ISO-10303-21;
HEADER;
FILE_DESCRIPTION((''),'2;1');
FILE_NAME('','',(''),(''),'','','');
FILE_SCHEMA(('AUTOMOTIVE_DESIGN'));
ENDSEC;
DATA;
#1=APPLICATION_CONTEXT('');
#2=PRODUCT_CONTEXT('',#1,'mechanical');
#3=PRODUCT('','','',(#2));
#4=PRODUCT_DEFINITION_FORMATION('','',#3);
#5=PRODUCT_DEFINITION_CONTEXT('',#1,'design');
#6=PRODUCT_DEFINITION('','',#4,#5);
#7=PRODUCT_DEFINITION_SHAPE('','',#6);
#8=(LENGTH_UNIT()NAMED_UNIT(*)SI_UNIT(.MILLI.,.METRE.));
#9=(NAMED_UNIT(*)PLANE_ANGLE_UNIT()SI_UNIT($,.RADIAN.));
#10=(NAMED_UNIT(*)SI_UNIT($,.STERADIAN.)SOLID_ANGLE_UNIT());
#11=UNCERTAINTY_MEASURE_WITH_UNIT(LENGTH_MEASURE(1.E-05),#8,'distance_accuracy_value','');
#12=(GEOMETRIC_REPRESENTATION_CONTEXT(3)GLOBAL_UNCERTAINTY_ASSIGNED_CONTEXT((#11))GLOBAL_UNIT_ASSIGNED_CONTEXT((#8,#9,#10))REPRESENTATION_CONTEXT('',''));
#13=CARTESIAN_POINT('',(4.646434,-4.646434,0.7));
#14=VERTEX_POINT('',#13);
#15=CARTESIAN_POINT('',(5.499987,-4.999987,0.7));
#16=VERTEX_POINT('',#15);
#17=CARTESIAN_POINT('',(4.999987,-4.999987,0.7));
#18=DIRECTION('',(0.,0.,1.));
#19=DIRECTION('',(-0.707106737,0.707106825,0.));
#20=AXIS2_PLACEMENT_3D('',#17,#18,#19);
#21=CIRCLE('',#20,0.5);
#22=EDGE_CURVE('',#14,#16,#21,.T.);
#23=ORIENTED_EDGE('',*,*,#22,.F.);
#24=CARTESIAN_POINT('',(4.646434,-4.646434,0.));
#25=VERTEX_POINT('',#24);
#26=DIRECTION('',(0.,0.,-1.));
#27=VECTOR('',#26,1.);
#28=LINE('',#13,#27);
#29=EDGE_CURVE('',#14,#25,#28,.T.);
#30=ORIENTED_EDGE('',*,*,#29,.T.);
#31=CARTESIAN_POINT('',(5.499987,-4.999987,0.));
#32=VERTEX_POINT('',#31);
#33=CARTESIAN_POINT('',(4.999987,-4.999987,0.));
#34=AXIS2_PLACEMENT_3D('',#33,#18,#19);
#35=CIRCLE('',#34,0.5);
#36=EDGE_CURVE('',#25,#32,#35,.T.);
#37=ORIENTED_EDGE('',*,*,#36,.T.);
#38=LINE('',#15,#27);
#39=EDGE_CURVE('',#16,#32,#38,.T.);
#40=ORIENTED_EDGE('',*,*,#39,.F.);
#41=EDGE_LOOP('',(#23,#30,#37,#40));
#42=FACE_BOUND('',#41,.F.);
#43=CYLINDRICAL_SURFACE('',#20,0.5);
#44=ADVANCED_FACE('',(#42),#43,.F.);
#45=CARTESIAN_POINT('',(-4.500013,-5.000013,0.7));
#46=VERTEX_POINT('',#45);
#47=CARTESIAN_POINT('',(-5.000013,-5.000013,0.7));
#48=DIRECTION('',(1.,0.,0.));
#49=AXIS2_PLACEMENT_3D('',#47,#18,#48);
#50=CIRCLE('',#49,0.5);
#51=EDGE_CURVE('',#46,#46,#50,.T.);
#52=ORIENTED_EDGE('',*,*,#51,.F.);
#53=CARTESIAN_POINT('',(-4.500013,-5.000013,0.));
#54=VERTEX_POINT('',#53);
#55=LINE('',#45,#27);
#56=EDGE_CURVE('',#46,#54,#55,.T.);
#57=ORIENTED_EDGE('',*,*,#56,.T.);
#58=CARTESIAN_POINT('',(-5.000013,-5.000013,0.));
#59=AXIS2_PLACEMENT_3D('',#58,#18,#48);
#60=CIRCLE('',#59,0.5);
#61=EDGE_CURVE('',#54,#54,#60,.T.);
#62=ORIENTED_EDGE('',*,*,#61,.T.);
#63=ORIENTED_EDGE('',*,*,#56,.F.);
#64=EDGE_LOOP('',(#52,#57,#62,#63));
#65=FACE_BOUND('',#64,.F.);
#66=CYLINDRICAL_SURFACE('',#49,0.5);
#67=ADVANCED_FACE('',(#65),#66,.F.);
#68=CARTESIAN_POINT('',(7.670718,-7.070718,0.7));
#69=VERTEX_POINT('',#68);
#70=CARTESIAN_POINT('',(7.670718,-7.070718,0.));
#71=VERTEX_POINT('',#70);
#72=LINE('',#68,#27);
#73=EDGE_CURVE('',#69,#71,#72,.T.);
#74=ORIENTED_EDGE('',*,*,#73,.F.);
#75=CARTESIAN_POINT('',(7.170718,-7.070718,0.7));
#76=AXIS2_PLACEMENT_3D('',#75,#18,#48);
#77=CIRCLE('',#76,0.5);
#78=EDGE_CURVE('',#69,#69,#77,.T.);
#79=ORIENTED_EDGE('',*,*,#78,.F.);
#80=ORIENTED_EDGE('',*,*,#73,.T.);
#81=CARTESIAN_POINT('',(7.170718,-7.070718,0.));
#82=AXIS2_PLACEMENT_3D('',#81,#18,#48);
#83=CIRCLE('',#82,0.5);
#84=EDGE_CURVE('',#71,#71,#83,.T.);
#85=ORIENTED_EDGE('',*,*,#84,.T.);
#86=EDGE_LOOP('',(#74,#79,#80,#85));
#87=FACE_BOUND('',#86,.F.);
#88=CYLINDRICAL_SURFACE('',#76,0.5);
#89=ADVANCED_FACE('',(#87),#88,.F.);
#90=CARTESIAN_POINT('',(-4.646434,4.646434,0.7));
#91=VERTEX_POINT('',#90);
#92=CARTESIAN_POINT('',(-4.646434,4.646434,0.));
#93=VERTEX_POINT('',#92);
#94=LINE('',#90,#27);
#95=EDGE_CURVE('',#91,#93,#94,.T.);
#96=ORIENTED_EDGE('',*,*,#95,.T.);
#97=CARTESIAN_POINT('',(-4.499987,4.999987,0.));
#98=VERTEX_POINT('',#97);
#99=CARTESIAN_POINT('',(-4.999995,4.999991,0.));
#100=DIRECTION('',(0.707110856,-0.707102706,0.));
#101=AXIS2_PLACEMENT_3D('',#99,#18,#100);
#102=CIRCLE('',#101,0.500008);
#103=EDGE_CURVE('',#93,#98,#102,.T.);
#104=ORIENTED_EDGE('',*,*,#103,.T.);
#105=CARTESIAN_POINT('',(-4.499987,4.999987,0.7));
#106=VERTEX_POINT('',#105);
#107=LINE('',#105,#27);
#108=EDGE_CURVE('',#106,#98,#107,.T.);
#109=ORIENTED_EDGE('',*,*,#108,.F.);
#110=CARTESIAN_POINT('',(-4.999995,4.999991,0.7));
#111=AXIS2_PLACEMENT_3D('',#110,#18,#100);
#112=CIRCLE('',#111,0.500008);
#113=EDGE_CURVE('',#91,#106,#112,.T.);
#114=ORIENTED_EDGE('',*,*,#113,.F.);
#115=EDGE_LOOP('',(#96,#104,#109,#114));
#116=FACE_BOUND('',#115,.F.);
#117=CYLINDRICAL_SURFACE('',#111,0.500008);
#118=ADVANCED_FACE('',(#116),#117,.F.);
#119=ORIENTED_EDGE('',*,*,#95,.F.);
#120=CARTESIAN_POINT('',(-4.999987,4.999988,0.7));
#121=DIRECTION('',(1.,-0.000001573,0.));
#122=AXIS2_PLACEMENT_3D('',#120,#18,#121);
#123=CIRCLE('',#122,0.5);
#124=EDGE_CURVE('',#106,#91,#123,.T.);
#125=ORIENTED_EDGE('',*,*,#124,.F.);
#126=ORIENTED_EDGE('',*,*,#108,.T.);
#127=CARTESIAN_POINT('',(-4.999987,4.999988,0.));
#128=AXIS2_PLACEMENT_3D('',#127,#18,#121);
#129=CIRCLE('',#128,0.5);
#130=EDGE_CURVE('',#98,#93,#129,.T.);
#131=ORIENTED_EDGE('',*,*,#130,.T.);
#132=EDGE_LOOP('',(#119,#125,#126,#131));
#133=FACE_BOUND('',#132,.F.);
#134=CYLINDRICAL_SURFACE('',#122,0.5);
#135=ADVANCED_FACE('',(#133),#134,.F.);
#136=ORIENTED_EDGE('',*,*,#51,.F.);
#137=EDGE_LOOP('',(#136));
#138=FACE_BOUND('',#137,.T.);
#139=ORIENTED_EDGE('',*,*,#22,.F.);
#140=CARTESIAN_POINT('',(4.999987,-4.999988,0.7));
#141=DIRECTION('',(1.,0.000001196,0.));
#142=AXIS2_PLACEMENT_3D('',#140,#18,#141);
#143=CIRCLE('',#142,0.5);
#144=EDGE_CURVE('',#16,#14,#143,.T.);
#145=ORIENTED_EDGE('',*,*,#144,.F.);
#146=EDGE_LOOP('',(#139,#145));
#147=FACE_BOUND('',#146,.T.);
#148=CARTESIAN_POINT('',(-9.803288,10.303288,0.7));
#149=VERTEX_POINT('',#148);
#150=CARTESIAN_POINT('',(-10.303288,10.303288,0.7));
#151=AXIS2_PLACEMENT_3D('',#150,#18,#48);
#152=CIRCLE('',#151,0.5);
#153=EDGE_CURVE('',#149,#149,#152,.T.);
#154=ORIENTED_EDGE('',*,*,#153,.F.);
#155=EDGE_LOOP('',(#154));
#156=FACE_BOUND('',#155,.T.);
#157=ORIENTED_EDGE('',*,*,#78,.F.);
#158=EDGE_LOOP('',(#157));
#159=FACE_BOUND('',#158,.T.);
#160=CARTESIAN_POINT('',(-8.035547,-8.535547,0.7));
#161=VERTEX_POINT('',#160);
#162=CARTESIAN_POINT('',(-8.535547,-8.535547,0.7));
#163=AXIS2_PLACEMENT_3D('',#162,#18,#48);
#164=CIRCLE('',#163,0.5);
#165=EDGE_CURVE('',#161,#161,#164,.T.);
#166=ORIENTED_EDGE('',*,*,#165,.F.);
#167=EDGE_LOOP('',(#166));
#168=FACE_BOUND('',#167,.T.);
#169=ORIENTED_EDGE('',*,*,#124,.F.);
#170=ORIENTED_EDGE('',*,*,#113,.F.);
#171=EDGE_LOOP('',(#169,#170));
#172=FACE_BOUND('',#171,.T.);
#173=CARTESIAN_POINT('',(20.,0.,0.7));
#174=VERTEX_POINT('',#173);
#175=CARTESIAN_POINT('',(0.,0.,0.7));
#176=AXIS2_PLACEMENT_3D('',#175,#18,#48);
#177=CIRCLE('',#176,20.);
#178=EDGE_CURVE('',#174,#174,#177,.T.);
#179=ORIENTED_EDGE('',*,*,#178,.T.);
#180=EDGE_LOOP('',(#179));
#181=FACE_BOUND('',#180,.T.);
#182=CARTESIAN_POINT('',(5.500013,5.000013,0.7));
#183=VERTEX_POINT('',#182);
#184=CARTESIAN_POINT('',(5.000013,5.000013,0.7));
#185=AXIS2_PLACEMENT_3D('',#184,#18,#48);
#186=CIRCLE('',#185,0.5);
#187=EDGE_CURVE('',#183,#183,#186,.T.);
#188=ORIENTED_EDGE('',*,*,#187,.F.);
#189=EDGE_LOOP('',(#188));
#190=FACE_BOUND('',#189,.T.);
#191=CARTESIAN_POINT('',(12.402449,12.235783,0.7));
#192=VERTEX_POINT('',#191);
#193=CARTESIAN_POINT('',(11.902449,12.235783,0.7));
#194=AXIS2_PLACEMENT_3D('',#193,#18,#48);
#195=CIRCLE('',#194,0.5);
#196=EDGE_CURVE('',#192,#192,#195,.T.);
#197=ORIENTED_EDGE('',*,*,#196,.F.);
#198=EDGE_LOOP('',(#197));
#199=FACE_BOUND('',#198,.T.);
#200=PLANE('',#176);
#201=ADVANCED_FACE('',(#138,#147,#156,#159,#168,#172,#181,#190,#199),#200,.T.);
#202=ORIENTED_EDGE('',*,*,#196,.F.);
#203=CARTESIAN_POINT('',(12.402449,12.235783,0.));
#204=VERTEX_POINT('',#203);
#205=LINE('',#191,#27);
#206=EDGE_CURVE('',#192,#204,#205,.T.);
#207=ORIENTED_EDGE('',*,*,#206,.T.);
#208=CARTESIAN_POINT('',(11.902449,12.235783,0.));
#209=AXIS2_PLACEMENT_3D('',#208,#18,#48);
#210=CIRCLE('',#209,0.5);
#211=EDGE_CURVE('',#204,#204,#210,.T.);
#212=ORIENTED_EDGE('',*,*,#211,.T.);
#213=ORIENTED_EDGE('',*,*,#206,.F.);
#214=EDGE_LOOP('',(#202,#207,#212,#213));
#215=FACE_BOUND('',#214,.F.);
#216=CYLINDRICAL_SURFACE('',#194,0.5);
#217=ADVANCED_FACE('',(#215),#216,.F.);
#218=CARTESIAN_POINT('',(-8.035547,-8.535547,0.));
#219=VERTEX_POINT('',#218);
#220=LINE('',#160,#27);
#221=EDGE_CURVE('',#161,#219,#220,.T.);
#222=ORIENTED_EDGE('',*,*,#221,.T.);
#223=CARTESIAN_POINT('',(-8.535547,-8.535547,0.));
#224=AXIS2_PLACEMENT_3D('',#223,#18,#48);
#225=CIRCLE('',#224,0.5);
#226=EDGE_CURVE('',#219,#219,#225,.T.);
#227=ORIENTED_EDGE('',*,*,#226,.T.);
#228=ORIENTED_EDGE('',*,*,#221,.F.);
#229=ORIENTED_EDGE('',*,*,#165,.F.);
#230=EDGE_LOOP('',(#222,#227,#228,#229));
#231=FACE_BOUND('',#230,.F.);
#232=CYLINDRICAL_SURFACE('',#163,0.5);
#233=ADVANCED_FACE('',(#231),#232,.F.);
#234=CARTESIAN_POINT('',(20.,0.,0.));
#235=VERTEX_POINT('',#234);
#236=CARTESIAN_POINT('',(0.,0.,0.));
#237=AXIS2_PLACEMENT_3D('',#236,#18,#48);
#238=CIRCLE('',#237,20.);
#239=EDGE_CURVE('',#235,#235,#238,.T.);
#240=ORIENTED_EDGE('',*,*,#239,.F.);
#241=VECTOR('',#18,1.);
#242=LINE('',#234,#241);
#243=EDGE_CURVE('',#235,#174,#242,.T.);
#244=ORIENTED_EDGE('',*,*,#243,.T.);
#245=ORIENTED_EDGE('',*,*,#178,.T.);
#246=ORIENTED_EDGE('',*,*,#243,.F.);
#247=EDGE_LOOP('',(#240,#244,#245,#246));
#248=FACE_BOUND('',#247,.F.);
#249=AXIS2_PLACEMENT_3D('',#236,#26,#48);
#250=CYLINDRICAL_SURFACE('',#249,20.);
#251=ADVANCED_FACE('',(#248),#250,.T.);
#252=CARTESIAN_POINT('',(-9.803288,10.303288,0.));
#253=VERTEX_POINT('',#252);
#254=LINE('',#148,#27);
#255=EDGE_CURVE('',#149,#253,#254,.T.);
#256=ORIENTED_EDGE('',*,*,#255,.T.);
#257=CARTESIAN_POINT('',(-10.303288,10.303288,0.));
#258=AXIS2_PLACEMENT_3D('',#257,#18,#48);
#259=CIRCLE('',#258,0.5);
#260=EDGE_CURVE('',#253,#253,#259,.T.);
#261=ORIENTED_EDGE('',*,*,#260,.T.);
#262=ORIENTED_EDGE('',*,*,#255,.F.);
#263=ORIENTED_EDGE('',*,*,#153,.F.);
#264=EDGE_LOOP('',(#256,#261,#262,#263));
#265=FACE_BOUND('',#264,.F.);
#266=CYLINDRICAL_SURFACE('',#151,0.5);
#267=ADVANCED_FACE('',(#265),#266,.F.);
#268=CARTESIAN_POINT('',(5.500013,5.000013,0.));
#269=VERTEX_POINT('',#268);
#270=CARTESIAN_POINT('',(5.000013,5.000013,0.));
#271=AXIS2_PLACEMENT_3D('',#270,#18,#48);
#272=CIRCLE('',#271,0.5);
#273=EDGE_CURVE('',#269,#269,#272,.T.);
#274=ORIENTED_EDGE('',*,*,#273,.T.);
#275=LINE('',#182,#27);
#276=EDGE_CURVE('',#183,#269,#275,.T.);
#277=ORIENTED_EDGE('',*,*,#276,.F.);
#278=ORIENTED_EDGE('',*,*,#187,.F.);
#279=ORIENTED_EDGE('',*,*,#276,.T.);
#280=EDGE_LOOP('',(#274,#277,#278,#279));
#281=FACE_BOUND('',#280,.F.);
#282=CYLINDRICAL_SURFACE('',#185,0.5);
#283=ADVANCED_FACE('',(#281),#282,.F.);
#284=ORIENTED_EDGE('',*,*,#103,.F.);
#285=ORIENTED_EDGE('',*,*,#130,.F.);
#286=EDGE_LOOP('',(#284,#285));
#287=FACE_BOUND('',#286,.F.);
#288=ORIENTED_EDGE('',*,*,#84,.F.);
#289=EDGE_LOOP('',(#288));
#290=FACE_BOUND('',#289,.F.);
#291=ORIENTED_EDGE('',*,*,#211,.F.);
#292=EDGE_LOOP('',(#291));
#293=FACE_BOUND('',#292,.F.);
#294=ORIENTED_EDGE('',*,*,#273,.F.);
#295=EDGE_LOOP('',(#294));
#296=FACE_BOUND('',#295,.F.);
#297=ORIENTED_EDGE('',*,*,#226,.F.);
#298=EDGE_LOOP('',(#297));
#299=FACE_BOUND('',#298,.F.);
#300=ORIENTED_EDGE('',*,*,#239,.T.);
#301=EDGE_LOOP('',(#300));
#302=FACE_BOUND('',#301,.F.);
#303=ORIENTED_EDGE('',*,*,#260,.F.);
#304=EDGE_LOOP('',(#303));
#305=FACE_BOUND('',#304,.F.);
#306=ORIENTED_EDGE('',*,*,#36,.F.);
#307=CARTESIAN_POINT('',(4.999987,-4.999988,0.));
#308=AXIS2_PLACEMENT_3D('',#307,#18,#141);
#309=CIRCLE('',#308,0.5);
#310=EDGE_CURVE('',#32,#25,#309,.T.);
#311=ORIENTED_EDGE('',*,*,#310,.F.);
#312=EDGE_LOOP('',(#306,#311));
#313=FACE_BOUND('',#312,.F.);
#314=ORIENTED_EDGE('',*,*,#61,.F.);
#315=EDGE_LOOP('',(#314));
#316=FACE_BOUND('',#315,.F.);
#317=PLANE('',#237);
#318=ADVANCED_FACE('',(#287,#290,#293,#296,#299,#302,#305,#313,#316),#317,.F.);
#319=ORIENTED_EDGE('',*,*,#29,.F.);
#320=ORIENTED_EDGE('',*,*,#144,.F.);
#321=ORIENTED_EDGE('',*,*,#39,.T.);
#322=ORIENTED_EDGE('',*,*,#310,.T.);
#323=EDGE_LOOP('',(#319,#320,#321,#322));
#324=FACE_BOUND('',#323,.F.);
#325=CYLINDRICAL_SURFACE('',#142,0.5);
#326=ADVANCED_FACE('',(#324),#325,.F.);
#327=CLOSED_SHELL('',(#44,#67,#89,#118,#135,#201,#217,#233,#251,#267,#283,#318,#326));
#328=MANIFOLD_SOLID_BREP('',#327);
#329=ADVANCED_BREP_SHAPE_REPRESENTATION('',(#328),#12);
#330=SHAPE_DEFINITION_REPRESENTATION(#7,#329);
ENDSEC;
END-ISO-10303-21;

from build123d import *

# Parameters (mm, degrees)
F0_R     = 20
F1_DEPTH = 0.7
F2_R     = 0.5
F3_DEPTH = 0.7


with BuildPart() as f1:
    # F0 (on Top) → F1 (new body)
    with BuildSketch(Plane.XY):
        Circle(F0_R)
    extrude(amount=F1_DEPTH)

    # F2 (on face) → F3 (cut)
    with BuildSketch(Plane.XY.offset(0.7)):
        with BuildLine():
            ThreePointArc((-4.646434, 4.646434), (-4.538048, 4.808646), (-4.499987, 4.999987))
            ThreePointArc((-4.499987, 4.999987), (-5.461927, 5.191329), (-4.646434, 4.646434))
        make_face()
        with BuildLine():
            ThreePointArc((5.499987, -4.999987), (5.191329, -4.538048), (4.646434, -4.646434))
            ThreePointArc((4.646434, -4.646434), (4.808646, -5.461927), (5.499987, -4.999987))
        make_face()
        with Locations((5.000013, 5.000013)):
            Circle(F2_R)
        with Locations((-5.000013, -5.000013)):
            Circle(F2_R)
        with Locations((-10.303288, 10.303288)):
            Circle(F2_R)
        with Locations((-8.535547, -8.535547)):
            Circle(F2_R)
        with Locations((7.170718, -7.070718)):
            Circle(F2_R)
        with Locations((11.902449, 12.235783)):
            Circle(F2_R)
    extrude(amount=-F3_DEPTH, mode=Mode.SUBTRACT)


solid = f1.part
